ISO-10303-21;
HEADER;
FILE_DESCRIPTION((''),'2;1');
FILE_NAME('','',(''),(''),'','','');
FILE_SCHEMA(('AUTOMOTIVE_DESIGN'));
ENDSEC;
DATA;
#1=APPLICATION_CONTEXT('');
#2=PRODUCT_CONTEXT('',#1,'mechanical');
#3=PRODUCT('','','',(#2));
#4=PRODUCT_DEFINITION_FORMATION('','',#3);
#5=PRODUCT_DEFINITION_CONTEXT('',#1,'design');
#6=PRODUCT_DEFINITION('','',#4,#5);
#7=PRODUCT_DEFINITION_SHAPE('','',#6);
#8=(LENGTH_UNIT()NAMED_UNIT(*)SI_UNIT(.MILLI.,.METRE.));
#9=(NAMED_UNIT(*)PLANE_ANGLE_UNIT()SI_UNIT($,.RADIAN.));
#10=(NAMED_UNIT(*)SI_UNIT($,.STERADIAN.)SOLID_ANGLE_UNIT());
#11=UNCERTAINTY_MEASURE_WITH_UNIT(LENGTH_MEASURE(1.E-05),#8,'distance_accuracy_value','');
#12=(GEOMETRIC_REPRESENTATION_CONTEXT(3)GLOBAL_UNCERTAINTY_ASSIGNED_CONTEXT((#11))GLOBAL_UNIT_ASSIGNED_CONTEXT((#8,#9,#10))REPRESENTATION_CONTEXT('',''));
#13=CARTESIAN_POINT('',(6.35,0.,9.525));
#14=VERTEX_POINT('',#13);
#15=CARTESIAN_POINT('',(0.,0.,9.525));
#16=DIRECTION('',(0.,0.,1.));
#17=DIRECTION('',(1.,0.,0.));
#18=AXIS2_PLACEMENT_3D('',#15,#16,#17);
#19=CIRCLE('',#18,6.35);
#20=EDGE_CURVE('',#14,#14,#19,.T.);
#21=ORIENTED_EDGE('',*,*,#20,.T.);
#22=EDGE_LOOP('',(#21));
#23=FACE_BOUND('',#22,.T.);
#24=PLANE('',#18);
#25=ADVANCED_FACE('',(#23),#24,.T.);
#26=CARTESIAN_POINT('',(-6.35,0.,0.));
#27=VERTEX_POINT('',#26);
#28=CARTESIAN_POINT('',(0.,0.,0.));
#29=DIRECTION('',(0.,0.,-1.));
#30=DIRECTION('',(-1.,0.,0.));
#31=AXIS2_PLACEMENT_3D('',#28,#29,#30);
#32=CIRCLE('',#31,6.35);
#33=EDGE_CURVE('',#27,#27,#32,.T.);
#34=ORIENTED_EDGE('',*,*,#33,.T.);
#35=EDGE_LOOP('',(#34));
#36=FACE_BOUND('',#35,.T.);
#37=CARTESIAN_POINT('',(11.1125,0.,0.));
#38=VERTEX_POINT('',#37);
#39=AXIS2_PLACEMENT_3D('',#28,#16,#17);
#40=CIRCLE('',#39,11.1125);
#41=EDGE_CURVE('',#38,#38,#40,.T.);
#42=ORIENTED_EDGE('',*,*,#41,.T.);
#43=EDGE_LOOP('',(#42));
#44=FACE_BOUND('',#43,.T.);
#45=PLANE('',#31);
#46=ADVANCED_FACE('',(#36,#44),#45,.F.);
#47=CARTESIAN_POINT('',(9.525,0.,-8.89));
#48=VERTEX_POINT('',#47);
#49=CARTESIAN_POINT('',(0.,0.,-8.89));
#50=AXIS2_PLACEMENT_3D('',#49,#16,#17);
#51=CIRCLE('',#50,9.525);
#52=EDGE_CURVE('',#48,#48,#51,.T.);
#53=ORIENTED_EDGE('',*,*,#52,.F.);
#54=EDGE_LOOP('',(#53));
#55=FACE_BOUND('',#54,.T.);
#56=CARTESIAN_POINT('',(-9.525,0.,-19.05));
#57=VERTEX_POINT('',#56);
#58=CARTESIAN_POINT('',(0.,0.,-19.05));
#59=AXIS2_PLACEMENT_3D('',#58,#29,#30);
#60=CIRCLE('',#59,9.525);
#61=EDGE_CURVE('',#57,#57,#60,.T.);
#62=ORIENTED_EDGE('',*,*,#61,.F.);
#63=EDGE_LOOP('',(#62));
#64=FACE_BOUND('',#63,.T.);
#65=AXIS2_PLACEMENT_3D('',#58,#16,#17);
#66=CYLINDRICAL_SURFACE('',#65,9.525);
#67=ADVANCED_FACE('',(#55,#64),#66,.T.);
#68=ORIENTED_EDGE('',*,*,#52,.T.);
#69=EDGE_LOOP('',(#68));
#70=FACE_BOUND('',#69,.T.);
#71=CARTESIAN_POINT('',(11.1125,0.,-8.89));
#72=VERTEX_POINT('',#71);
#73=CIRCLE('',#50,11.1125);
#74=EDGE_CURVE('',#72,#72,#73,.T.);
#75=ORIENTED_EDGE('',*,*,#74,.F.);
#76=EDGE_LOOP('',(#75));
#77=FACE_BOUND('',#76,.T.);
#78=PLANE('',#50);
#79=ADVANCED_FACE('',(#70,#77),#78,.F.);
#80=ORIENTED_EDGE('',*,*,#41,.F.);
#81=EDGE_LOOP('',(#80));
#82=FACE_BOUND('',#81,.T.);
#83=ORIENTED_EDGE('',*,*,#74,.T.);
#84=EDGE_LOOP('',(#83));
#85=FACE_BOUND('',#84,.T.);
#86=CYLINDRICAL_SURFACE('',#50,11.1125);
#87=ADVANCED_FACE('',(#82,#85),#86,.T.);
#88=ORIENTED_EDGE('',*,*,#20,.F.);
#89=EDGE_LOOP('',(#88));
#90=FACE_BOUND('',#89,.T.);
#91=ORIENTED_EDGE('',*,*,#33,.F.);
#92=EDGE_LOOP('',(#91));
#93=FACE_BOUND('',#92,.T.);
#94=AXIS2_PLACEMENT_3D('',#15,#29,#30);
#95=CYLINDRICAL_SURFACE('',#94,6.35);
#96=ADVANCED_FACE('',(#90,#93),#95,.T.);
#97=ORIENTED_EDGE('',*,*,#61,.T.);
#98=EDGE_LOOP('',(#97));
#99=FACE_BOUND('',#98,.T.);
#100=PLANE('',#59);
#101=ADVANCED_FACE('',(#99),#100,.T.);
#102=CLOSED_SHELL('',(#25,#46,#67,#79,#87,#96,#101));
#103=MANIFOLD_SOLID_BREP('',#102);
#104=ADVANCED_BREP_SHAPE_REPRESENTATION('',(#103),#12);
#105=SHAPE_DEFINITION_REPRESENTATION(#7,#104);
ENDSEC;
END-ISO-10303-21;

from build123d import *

# Parameters (mm, degrees)
SKETCH1_R      = 6.35
EXTRUDE1_DEPTH = 9.525
SKETCH2_R      = 9.525
EXTRUDE2_DEPTH = 19.05
SKETCH3_R      = 11.1125
EXTRUDE3_DEPTH = 8.89


with BuildPart() as part:
    # Sketch1 → Extrude1 (new body)
    with BuildSketch(Plane.XY):
        Circle(SKETCH1_R)
    extrude(amount=EXTRUDE1_DEPTH)

    # Sketch2 → Extrude2 (add)
    with BuildSketch(Plane(origin=(0, 0, 0), x_dir=(-1, 0, 0), z_dir=(0, 0, -1))):
        Circle(SKETCH2_R)
    extrude(amount=EXTRUDE2_DEPTH)

    # Sketch3 → Extrude3 (add)
    with BuildSketch(Plane.XY):
        Circle(SKETCH3_R)
    extrude(amount=-EXTRUDE3_DEPTH)


solid = part.part
